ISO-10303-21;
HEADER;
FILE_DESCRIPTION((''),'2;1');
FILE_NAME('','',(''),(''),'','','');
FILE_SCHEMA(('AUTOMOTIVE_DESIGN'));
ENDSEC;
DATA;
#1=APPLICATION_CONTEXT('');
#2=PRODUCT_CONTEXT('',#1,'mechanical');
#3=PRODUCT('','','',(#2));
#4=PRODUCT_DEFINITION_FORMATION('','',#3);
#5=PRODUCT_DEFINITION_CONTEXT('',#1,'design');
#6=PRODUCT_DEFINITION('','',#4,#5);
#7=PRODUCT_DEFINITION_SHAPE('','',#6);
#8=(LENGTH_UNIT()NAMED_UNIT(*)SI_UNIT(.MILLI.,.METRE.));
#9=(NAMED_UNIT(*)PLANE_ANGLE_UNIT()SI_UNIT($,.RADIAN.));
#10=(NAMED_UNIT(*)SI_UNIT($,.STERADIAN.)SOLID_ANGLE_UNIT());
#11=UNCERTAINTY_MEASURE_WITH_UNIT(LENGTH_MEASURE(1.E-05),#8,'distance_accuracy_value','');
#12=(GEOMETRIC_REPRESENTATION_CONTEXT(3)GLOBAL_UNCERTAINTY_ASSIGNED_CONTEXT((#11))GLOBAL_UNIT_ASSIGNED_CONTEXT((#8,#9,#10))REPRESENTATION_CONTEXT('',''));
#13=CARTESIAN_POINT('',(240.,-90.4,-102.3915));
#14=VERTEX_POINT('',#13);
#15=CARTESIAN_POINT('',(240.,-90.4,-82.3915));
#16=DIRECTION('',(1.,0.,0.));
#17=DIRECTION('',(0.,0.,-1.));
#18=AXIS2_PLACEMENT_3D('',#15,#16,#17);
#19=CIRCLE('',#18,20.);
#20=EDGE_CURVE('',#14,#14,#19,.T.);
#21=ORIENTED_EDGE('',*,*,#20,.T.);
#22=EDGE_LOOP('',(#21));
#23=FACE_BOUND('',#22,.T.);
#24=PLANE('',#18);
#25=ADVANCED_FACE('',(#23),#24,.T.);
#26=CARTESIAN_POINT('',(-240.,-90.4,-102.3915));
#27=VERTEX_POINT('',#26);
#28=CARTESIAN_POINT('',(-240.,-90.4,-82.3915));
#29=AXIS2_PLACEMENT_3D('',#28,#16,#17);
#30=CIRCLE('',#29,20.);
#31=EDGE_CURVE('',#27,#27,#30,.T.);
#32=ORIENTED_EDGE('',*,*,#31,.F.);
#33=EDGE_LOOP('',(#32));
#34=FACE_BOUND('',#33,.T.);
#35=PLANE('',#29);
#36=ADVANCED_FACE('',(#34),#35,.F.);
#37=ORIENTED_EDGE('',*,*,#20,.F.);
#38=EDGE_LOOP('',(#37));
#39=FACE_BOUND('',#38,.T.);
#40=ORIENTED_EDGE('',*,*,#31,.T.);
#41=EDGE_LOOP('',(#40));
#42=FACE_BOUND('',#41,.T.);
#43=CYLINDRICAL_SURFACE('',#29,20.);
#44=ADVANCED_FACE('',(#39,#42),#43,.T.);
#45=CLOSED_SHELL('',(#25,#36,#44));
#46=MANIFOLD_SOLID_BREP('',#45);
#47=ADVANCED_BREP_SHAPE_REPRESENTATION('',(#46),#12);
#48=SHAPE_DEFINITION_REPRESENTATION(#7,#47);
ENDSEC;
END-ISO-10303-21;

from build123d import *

# Parameters (mm, degrees)
SUSP_RACK_HOUSING_PROFILE_R = 20


with BuildPart() as part:
    # SUSP_rack_housing: sweep along a curve in space
    with BuildLine() as susp_rack_housing_path:
        Line((-240, -90.4, -82.3915), (240, -90.4, -82.3915))
    # SUSP_rack_housing profile (on start of the path) → SUSP_rack_housing (sweep)
    with BuildSketch(Plane(origin=(-240, -90.4, -82.3915), x_dir=(0, 0, 1), z_dir=(1, 0, 0))):
        Circle(SUSP_RACK_HOUSING_PROFILE_R)
    sweep(path=susp_rack_housing_path.line)


solid = part.part
